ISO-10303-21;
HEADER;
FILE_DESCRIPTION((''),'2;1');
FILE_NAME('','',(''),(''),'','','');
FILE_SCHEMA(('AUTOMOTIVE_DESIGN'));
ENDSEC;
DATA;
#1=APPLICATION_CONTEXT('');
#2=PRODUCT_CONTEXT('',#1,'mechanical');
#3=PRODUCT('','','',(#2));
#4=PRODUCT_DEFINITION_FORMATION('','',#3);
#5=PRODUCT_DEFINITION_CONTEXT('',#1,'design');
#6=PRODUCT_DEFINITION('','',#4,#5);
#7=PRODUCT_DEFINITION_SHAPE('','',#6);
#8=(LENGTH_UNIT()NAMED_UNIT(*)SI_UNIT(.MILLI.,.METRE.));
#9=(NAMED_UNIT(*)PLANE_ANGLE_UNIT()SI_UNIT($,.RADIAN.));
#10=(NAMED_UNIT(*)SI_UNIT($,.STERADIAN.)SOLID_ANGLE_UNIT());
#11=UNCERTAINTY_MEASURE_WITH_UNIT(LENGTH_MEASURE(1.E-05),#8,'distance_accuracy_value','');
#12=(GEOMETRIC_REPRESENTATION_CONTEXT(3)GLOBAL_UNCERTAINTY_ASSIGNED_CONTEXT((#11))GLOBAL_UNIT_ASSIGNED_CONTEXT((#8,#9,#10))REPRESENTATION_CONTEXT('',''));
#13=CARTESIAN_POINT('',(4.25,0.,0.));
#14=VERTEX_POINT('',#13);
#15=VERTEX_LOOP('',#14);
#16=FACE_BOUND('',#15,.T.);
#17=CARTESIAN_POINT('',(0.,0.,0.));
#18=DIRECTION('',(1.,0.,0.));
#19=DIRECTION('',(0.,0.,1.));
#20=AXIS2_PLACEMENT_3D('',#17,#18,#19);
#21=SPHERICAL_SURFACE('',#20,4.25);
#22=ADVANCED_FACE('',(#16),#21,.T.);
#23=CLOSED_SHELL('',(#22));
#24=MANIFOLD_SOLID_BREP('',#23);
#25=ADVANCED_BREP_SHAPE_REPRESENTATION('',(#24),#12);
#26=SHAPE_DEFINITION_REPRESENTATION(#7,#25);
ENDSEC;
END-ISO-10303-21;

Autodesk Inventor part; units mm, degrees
ref_plane "YZ Plane" through (0, 0, 0) normal (1, 0, 0) x (0, 1, 0)
ref_plane "XZ Plane" through (0, 0, 0) normal (0, 1, 0) x (-1, 0, 0)
ref_plane "XY Plane" through (0, 0, 0) normal (0, 0, 1) x (1, 0, 0)
sketch "Boceto1" plane through (0, 0, 0) normal (0, 1, 0) x (-1, 0, 0)
  arc A0 (4.25, 0) -> (-4.25, 0) centre (0, 0) ccw
  line L0 (4.25, 0) -> (-4.25, 0)
  dimension "d0" = 8.5
revolve "Revolución1" add sketch "Boceto1" angle 360 about axis through (-4.25, 0, 0) along (1, 0, 0)
properties part number "rueda loca bola"
